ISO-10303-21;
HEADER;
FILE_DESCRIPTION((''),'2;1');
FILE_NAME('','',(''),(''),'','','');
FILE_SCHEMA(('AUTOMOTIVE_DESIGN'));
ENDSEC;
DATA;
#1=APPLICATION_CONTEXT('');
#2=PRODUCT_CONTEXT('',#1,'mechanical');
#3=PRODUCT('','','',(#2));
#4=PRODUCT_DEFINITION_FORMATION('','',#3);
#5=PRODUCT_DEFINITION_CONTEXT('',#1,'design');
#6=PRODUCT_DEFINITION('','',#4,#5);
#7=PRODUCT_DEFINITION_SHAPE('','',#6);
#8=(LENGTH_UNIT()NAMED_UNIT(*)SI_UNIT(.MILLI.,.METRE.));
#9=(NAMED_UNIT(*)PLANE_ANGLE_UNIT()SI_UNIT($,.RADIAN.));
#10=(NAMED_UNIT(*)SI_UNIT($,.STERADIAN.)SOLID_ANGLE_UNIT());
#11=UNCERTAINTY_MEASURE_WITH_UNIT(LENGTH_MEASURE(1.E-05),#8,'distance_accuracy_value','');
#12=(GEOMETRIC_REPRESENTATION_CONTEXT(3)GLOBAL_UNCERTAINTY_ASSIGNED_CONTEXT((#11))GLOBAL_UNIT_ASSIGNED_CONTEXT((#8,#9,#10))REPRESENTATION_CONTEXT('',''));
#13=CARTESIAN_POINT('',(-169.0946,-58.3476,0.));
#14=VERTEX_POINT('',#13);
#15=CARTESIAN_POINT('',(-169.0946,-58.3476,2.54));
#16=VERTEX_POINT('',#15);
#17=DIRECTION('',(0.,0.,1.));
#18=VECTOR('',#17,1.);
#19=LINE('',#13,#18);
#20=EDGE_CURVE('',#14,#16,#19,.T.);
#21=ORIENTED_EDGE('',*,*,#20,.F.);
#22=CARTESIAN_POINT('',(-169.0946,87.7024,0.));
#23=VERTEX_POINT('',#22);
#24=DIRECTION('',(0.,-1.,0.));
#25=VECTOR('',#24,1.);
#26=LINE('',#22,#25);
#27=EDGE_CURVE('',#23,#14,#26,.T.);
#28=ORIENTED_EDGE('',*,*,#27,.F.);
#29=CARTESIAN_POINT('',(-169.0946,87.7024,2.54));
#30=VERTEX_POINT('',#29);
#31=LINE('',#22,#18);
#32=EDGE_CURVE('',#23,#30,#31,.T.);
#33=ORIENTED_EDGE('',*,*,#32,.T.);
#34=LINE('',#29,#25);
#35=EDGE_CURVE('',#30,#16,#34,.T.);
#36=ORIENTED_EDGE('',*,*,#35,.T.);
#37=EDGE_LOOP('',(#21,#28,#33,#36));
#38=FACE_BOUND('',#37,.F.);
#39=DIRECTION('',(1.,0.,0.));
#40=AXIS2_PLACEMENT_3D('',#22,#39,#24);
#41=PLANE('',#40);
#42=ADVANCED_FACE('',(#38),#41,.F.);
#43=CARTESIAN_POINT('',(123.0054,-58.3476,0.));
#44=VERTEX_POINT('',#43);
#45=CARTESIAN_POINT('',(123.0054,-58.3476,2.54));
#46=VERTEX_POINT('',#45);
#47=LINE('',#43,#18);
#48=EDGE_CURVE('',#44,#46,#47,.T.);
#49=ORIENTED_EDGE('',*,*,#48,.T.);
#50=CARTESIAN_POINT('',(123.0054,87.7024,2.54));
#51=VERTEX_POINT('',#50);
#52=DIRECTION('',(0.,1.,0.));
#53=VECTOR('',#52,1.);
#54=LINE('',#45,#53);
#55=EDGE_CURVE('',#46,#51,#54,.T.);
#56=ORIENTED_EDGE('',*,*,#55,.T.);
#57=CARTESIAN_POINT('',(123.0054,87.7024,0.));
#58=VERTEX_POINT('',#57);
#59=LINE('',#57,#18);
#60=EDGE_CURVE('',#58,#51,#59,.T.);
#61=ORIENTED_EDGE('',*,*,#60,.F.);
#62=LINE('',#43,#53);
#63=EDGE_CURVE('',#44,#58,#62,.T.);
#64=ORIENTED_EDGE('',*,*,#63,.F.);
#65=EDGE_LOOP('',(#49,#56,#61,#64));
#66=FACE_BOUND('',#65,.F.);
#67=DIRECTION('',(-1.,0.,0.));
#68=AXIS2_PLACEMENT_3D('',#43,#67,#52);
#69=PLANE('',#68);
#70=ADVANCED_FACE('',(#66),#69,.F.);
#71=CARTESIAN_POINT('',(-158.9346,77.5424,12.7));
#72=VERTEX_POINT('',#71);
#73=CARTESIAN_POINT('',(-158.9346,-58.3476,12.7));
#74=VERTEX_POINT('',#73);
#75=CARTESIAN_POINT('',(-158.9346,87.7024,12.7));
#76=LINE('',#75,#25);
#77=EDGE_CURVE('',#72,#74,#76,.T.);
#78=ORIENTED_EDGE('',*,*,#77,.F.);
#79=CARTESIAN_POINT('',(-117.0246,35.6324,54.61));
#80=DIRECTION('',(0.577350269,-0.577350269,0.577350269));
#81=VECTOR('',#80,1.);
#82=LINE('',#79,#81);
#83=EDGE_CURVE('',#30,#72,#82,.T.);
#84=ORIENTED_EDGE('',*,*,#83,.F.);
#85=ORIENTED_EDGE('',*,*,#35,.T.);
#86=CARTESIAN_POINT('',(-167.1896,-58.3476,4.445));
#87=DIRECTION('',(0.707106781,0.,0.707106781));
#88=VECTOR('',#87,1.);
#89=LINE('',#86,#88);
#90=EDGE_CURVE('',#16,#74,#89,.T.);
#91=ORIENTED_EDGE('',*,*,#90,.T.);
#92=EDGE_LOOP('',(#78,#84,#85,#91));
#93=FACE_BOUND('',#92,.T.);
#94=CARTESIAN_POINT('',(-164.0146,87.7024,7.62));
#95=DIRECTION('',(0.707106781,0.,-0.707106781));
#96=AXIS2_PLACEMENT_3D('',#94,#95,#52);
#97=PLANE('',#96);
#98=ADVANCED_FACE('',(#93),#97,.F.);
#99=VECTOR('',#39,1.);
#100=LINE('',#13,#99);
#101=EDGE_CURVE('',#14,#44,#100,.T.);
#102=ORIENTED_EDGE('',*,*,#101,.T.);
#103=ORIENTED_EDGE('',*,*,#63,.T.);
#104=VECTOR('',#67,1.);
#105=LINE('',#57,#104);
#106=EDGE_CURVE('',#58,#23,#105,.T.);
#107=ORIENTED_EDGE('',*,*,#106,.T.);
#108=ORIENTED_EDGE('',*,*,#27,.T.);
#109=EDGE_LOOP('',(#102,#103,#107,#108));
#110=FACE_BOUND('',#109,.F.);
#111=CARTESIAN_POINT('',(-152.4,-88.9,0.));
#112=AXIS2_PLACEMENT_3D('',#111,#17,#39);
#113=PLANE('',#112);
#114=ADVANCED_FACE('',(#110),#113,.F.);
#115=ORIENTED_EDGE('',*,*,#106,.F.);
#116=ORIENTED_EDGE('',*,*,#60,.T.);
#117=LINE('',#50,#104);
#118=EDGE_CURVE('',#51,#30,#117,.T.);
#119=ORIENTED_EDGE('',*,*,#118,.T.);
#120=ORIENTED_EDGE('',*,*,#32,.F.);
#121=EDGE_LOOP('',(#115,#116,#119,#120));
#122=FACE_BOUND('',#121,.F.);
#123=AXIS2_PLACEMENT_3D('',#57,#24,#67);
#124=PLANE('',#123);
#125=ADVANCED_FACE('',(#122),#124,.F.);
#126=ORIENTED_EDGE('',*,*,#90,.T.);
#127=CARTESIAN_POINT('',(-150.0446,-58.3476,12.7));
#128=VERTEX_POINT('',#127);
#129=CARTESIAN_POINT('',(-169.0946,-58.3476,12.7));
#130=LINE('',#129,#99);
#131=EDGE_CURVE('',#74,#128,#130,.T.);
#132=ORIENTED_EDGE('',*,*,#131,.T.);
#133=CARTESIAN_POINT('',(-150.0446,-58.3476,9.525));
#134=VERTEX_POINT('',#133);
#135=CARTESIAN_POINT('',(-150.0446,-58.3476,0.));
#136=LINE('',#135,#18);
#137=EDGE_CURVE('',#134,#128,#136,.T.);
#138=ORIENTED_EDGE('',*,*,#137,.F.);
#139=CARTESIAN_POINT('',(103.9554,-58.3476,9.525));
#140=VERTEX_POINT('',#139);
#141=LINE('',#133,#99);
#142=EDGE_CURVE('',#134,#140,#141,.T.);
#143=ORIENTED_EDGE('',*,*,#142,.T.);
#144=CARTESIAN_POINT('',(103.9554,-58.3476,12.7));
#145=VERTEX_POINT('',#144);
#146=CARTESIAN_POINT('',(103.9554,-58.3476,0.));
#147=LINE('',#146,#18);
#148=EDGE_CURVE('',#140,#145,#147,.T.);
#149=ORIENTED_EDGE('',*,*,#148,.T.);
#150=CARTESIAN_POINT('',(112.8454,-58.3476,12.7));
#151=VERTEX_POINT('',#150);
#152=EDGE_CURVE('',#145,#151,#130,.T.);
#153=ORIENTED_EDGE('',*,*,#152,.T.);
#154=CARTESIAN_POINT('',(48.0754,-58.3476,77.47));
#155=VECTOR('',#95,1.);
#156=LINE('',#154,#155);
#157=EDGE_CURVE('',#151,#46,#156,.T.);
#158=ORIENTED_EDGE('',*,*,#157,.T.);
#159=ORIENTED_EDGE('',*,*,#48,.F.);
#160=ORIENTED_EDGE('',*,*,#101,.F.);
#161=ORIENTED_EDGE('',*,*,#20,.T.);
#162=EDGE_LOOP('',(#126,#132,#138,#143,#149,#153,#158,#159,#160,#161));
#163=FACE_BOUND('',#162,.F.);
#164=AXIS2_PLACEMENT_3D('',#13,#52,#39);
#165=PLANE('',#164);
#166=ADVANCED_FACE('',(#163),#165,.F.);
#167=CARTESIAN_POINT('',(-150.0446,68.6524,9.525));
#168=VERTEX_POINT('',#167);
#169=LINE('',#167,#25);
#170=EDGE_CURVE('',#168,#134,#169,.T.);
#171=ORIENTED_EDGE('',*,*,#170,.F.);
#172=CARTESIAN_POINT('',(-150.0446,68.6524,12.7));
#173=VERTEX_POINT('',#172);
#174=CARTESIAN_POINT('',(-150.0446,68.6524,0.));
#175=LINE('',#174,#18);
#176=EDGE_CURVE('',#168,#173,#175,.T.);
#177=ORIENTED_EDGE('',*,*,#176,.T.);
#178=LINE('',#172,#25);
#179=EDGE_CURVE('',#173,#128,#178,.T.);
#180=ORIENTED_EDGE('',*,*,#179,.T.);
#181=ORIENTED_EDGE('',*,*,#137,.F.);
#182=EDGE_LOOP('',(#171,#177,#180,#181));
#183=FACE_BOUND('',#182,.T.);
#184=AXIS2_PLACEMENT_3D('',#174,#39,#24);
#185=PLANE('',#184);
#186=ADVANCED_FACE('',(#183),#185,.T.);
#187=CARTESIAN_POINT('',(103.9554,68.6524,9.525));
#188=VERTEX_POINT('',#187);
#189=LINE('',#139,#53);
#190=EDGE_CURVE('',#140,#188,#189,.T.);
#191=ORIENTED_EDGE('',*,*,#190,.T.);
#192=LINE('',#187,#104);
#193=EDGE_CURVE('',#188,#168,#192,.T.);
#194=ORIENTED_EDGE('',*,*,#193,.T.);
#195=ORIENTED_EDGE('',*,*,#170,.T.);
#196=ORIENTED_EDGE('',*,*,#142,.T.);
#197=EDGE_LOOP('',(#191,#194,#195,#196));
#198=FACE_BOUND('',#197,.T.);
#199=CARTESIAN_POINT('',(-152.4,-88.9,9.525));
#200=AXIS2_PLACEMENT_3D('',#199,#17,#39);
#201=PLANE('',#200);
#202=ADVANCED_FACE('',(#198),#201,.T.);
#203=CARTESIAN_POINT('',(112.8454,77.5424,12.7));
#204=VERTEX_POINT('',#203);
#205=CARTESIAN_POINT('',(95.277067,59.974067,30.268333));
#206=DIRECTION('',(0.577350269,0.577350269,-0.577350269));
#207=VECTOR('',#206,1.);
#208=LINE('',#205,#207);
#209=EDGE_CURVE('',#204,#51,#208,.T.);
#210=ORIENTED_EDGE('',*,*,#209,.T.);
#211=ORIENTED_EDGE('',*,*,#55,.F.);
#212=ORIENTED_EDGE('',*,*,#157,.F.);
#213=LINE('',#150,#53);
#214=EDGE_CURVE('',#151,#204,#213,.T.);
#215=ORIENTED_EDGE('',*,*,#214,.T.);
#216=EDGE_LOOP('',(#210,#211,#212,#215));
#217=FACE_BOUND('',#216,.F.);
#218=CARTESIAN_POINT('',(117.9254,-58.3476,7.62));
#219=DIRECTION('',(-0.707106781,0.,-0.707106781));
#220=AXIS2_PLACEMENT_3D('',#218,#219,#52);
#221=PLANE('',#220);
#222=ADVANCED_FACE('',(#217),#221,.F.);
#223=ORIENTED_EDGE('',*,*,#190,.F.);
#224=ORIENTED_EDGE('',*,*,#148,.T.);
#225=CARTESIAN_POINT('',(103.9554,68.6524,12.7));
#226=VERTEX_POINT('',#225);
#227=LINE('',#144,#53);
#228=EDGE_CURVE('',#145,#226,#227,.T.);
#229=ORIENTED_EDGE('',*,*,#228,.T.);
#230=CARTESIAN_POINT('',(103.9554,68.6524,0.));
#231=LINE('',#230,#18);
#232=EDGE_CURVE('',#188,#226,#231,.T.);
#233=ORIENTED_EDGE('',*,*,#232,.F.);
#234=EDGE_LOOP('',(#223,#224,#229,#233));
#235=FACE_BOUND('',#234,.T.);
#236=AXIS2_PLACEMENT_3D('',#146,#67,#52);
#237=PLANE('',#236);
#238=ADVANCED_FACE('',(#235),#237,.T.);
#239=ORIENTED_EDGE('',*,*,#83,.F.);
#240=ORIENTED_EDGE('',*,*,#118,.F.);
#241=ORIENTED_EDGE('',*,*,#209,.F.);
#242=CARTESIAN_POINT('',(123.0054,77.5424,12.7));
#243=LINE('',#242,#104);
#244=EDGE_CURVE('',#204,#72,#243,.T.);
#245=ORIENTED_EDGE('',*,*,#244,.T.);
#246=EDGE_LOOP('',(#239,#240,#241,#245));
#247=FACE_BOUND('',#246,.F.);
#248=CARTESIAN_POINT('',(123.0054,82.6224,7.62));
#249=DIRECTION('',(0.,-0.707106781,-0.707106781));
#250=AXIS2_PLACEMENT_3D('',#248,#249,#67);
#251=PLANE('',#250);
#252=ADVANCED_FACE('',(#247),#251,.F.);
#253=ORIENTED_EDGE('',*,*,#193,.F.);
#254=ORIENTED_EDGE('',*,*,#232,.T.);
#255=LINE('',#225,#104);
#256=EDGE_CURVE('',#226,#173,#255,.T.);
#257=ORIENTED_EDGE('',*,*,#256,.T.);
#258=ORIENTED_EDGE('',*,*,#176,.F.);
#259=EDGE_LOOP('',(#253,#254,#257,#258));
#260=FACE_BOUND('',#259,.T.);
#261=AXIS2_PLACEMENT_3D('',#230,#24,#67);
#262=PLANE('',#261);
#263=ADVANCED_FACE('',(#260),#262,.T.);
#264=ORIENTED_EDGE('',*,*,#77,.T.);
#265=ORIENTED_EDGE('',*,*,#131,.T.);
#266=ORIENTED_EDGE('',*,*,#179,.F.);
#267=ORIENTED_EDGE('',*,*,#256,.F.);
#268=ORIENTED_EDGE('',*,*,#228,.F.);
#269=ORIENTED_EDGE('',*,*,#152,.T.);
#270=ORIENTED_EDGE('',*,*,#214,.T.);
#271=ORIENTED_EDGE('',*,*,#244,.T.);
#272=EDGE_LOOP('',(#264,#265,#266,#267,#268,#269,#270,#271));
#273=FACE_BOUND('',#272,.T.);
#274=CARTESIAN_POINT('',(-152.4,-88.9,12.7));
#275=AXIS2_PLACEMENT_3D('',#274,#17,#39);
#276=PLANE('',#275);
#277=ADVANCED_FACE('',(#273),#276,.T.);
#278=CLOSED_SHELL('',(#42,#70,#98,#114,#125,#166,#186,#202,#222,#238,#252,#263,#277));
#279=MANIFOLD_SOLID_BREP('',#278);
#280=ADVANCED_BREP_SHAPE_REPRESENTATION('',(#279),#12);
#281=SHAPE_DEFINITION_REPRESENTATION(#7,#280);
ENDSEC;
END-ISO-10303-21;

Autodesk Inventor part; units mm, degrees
ref_plane "YZ Plane" through (0, 0, 0) normal (1, 0, 0) x (0, 1, 0)
ref_plane "XZ Plane" through (0, 0, 0) normal (0, 1, 0) x (-1, 0, 0)
ref_plane "XY Plane" through (0, 0, 0) normal (0, 0, 1) x (1, 0, 0)
sketch "Sketch1" plane through (-152.4, -88.9, 0) normal (0, 0, 1) x (1, 0, 0)
  line L0 (2.3554, 30.5524) -> (256.3554, 30.5524)
  line L1 (256.3554, 30.5524) -> (256.3554, 157.5524)
  line L2 (256.3554, 157.5524) -> (2.3554, 157.5524)
  line L3 (2.3554, 157.5524) -> (2.3554, 30.5524)
  line L4 (-16.6946, 30.5524) -> (275.4054, 30.5524)
  line L5 (275.4054, 30.5524) -> (275.4054, 176.6024)
  line L6 (275.4054, 176.6024) -> (-16.6946, 176.6024)
  line L7 (-16.6946, 176.6024) -> (-16.6946, 30.5524)
  point P0 (129.3554, 30.5524)
  point P1 (256.3554, 30.5524)
  point P2 (2.3554, 30.5524)
  dimension "d2" = 254
  dimension "d3" = 127
  dimension "d0" = 19.05
  dimension "d1" = 19.05
extrude "Extrusion1" add sketch "Sketch1" along normal blind 12.7 contours L4 L7 L6 L5 L1 L2 L3
extrude "Extrusion2" add sketch "Sketch1" along normal blind 9.525 contours L3 L2 L1 L0
chamfer "Chamfer1" distance 10.16 angle 45 3 edges at (-169.0946, 14.6774, 12.7) (-23.0446, 87.7024, 12.7) (123.0054, 14.6774, 12.7)
ref_plane "Work Plane1" through (-169.0946, 87.7024, 0) normal (1, 0, 0) x (0, -1, 0)
sketch "Sketch2" plane through (-169.0946, 87.7024, 0) normal (1, 0, 0) x (0, -1, 0)
  line L0 (0, 0) -> (146.05, 0) projected
  point P0 (88.9, 0)
  point P1 (88.9, 0)
  dimension "d17" = 88.9
ref_plane "Work Plane2" through (123.0054, 87.7024, 0) normal (0, -1, 0) x (-1, 0, 0)
equation "\"d1\" = d0"
properties part number "Top Base"
